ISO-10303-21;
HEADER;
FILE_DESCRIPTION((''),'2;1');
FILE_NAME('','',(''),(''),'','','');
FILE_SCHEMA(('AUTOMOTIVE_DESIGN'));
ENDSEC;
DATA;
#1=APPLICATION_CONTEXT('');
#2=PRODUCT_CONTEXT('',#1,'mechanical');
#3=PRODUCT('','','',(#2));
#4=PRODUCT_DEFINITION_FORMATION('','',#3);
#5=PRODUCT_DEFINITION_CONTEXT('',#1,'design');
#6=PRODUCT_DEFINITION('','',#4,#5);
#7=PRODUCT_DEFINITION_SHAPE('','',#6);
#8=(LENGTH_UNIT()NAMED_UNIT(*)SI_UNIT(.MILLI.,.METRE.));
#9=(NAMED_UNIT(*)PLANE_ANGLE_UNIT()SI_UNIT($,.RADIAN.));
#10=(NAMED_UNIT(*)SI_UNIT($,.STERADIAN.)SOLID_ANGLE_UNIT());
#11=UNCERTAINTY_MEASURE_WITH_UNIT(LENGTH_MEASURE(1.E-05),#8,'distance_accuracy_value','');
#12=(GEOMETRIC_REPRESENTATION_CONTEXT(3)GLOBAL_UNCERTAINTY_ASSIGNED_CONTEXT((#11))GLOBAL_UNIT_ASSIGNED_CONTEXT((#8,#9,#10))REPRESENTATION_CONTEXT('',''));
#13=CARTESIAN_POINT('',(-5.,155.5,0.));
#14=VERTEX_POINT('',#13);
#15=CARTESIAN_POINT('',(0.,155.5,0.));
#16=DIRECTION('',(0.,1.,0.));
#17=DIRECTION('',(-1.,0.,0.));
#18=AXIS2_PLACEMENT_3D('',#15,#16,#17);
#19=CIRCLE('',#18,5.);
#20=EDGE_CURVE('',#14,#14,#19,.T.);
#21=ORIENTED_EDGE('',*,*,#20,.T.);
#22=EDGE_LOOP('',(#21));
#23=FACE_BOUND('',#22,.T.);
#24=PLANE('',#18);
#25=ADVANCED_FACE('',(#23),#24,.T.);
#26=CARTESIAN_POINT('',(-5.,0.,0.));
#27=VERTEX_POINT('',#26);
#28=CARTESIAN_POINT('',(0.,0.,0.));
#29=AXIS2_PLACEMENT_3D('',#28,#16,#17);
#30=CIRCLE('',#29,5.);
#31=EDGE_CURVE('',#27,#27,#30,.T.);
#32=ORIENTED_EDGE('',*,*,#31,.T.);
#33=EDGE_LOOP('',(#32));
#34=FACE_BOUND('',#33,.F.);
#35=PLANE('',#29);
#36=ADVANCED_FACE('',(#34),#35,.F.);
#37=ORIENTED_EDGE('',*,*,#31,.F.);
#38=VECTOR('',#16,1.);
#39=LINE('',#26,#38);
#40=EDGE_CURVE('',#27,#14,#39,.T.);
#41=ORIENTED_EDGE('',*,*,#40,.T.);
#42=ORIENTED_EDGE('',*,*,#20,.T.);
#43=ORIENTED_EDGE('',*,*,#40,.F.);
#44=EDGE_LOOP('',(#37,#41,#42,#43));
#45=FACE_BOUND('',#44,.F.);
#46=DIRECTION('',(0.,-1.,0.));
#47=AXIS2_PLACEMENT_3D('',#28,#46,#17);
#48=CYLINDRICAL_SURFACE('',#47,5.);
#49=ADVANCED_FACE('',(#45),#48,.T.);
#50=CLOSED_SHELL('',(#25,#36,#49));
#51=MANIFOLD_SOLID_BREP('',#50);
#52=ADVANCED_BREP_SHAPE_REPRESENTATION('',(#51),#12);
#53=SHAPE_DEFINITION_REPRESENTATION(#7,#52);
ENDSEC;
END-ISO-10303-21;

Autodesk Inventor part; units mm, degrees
ref_plane "YZ Plane" through (0, 0, 0) normal (1, 0, 0) x (0, 1, 0)
ref_plane "XZ Plane" through (0, 0, 0) normal (0, 1, 0) x (-1, 0, 0)
ref_plane "XY Plane" through (0, 0, 0) normal (0, 0, 1) x (1, 0, 0)
sketch "Sketch1" plane through (0, 0, 0) normal (0, 1, 0) x (-1, 0, 0)
  circle A0 centre (0, 0) radius 5
  dimension "d0" = 10
extrude "Extrusion1" add sketch "Sketch1" along normal blind 155.5
properties part number "Sujetador"
